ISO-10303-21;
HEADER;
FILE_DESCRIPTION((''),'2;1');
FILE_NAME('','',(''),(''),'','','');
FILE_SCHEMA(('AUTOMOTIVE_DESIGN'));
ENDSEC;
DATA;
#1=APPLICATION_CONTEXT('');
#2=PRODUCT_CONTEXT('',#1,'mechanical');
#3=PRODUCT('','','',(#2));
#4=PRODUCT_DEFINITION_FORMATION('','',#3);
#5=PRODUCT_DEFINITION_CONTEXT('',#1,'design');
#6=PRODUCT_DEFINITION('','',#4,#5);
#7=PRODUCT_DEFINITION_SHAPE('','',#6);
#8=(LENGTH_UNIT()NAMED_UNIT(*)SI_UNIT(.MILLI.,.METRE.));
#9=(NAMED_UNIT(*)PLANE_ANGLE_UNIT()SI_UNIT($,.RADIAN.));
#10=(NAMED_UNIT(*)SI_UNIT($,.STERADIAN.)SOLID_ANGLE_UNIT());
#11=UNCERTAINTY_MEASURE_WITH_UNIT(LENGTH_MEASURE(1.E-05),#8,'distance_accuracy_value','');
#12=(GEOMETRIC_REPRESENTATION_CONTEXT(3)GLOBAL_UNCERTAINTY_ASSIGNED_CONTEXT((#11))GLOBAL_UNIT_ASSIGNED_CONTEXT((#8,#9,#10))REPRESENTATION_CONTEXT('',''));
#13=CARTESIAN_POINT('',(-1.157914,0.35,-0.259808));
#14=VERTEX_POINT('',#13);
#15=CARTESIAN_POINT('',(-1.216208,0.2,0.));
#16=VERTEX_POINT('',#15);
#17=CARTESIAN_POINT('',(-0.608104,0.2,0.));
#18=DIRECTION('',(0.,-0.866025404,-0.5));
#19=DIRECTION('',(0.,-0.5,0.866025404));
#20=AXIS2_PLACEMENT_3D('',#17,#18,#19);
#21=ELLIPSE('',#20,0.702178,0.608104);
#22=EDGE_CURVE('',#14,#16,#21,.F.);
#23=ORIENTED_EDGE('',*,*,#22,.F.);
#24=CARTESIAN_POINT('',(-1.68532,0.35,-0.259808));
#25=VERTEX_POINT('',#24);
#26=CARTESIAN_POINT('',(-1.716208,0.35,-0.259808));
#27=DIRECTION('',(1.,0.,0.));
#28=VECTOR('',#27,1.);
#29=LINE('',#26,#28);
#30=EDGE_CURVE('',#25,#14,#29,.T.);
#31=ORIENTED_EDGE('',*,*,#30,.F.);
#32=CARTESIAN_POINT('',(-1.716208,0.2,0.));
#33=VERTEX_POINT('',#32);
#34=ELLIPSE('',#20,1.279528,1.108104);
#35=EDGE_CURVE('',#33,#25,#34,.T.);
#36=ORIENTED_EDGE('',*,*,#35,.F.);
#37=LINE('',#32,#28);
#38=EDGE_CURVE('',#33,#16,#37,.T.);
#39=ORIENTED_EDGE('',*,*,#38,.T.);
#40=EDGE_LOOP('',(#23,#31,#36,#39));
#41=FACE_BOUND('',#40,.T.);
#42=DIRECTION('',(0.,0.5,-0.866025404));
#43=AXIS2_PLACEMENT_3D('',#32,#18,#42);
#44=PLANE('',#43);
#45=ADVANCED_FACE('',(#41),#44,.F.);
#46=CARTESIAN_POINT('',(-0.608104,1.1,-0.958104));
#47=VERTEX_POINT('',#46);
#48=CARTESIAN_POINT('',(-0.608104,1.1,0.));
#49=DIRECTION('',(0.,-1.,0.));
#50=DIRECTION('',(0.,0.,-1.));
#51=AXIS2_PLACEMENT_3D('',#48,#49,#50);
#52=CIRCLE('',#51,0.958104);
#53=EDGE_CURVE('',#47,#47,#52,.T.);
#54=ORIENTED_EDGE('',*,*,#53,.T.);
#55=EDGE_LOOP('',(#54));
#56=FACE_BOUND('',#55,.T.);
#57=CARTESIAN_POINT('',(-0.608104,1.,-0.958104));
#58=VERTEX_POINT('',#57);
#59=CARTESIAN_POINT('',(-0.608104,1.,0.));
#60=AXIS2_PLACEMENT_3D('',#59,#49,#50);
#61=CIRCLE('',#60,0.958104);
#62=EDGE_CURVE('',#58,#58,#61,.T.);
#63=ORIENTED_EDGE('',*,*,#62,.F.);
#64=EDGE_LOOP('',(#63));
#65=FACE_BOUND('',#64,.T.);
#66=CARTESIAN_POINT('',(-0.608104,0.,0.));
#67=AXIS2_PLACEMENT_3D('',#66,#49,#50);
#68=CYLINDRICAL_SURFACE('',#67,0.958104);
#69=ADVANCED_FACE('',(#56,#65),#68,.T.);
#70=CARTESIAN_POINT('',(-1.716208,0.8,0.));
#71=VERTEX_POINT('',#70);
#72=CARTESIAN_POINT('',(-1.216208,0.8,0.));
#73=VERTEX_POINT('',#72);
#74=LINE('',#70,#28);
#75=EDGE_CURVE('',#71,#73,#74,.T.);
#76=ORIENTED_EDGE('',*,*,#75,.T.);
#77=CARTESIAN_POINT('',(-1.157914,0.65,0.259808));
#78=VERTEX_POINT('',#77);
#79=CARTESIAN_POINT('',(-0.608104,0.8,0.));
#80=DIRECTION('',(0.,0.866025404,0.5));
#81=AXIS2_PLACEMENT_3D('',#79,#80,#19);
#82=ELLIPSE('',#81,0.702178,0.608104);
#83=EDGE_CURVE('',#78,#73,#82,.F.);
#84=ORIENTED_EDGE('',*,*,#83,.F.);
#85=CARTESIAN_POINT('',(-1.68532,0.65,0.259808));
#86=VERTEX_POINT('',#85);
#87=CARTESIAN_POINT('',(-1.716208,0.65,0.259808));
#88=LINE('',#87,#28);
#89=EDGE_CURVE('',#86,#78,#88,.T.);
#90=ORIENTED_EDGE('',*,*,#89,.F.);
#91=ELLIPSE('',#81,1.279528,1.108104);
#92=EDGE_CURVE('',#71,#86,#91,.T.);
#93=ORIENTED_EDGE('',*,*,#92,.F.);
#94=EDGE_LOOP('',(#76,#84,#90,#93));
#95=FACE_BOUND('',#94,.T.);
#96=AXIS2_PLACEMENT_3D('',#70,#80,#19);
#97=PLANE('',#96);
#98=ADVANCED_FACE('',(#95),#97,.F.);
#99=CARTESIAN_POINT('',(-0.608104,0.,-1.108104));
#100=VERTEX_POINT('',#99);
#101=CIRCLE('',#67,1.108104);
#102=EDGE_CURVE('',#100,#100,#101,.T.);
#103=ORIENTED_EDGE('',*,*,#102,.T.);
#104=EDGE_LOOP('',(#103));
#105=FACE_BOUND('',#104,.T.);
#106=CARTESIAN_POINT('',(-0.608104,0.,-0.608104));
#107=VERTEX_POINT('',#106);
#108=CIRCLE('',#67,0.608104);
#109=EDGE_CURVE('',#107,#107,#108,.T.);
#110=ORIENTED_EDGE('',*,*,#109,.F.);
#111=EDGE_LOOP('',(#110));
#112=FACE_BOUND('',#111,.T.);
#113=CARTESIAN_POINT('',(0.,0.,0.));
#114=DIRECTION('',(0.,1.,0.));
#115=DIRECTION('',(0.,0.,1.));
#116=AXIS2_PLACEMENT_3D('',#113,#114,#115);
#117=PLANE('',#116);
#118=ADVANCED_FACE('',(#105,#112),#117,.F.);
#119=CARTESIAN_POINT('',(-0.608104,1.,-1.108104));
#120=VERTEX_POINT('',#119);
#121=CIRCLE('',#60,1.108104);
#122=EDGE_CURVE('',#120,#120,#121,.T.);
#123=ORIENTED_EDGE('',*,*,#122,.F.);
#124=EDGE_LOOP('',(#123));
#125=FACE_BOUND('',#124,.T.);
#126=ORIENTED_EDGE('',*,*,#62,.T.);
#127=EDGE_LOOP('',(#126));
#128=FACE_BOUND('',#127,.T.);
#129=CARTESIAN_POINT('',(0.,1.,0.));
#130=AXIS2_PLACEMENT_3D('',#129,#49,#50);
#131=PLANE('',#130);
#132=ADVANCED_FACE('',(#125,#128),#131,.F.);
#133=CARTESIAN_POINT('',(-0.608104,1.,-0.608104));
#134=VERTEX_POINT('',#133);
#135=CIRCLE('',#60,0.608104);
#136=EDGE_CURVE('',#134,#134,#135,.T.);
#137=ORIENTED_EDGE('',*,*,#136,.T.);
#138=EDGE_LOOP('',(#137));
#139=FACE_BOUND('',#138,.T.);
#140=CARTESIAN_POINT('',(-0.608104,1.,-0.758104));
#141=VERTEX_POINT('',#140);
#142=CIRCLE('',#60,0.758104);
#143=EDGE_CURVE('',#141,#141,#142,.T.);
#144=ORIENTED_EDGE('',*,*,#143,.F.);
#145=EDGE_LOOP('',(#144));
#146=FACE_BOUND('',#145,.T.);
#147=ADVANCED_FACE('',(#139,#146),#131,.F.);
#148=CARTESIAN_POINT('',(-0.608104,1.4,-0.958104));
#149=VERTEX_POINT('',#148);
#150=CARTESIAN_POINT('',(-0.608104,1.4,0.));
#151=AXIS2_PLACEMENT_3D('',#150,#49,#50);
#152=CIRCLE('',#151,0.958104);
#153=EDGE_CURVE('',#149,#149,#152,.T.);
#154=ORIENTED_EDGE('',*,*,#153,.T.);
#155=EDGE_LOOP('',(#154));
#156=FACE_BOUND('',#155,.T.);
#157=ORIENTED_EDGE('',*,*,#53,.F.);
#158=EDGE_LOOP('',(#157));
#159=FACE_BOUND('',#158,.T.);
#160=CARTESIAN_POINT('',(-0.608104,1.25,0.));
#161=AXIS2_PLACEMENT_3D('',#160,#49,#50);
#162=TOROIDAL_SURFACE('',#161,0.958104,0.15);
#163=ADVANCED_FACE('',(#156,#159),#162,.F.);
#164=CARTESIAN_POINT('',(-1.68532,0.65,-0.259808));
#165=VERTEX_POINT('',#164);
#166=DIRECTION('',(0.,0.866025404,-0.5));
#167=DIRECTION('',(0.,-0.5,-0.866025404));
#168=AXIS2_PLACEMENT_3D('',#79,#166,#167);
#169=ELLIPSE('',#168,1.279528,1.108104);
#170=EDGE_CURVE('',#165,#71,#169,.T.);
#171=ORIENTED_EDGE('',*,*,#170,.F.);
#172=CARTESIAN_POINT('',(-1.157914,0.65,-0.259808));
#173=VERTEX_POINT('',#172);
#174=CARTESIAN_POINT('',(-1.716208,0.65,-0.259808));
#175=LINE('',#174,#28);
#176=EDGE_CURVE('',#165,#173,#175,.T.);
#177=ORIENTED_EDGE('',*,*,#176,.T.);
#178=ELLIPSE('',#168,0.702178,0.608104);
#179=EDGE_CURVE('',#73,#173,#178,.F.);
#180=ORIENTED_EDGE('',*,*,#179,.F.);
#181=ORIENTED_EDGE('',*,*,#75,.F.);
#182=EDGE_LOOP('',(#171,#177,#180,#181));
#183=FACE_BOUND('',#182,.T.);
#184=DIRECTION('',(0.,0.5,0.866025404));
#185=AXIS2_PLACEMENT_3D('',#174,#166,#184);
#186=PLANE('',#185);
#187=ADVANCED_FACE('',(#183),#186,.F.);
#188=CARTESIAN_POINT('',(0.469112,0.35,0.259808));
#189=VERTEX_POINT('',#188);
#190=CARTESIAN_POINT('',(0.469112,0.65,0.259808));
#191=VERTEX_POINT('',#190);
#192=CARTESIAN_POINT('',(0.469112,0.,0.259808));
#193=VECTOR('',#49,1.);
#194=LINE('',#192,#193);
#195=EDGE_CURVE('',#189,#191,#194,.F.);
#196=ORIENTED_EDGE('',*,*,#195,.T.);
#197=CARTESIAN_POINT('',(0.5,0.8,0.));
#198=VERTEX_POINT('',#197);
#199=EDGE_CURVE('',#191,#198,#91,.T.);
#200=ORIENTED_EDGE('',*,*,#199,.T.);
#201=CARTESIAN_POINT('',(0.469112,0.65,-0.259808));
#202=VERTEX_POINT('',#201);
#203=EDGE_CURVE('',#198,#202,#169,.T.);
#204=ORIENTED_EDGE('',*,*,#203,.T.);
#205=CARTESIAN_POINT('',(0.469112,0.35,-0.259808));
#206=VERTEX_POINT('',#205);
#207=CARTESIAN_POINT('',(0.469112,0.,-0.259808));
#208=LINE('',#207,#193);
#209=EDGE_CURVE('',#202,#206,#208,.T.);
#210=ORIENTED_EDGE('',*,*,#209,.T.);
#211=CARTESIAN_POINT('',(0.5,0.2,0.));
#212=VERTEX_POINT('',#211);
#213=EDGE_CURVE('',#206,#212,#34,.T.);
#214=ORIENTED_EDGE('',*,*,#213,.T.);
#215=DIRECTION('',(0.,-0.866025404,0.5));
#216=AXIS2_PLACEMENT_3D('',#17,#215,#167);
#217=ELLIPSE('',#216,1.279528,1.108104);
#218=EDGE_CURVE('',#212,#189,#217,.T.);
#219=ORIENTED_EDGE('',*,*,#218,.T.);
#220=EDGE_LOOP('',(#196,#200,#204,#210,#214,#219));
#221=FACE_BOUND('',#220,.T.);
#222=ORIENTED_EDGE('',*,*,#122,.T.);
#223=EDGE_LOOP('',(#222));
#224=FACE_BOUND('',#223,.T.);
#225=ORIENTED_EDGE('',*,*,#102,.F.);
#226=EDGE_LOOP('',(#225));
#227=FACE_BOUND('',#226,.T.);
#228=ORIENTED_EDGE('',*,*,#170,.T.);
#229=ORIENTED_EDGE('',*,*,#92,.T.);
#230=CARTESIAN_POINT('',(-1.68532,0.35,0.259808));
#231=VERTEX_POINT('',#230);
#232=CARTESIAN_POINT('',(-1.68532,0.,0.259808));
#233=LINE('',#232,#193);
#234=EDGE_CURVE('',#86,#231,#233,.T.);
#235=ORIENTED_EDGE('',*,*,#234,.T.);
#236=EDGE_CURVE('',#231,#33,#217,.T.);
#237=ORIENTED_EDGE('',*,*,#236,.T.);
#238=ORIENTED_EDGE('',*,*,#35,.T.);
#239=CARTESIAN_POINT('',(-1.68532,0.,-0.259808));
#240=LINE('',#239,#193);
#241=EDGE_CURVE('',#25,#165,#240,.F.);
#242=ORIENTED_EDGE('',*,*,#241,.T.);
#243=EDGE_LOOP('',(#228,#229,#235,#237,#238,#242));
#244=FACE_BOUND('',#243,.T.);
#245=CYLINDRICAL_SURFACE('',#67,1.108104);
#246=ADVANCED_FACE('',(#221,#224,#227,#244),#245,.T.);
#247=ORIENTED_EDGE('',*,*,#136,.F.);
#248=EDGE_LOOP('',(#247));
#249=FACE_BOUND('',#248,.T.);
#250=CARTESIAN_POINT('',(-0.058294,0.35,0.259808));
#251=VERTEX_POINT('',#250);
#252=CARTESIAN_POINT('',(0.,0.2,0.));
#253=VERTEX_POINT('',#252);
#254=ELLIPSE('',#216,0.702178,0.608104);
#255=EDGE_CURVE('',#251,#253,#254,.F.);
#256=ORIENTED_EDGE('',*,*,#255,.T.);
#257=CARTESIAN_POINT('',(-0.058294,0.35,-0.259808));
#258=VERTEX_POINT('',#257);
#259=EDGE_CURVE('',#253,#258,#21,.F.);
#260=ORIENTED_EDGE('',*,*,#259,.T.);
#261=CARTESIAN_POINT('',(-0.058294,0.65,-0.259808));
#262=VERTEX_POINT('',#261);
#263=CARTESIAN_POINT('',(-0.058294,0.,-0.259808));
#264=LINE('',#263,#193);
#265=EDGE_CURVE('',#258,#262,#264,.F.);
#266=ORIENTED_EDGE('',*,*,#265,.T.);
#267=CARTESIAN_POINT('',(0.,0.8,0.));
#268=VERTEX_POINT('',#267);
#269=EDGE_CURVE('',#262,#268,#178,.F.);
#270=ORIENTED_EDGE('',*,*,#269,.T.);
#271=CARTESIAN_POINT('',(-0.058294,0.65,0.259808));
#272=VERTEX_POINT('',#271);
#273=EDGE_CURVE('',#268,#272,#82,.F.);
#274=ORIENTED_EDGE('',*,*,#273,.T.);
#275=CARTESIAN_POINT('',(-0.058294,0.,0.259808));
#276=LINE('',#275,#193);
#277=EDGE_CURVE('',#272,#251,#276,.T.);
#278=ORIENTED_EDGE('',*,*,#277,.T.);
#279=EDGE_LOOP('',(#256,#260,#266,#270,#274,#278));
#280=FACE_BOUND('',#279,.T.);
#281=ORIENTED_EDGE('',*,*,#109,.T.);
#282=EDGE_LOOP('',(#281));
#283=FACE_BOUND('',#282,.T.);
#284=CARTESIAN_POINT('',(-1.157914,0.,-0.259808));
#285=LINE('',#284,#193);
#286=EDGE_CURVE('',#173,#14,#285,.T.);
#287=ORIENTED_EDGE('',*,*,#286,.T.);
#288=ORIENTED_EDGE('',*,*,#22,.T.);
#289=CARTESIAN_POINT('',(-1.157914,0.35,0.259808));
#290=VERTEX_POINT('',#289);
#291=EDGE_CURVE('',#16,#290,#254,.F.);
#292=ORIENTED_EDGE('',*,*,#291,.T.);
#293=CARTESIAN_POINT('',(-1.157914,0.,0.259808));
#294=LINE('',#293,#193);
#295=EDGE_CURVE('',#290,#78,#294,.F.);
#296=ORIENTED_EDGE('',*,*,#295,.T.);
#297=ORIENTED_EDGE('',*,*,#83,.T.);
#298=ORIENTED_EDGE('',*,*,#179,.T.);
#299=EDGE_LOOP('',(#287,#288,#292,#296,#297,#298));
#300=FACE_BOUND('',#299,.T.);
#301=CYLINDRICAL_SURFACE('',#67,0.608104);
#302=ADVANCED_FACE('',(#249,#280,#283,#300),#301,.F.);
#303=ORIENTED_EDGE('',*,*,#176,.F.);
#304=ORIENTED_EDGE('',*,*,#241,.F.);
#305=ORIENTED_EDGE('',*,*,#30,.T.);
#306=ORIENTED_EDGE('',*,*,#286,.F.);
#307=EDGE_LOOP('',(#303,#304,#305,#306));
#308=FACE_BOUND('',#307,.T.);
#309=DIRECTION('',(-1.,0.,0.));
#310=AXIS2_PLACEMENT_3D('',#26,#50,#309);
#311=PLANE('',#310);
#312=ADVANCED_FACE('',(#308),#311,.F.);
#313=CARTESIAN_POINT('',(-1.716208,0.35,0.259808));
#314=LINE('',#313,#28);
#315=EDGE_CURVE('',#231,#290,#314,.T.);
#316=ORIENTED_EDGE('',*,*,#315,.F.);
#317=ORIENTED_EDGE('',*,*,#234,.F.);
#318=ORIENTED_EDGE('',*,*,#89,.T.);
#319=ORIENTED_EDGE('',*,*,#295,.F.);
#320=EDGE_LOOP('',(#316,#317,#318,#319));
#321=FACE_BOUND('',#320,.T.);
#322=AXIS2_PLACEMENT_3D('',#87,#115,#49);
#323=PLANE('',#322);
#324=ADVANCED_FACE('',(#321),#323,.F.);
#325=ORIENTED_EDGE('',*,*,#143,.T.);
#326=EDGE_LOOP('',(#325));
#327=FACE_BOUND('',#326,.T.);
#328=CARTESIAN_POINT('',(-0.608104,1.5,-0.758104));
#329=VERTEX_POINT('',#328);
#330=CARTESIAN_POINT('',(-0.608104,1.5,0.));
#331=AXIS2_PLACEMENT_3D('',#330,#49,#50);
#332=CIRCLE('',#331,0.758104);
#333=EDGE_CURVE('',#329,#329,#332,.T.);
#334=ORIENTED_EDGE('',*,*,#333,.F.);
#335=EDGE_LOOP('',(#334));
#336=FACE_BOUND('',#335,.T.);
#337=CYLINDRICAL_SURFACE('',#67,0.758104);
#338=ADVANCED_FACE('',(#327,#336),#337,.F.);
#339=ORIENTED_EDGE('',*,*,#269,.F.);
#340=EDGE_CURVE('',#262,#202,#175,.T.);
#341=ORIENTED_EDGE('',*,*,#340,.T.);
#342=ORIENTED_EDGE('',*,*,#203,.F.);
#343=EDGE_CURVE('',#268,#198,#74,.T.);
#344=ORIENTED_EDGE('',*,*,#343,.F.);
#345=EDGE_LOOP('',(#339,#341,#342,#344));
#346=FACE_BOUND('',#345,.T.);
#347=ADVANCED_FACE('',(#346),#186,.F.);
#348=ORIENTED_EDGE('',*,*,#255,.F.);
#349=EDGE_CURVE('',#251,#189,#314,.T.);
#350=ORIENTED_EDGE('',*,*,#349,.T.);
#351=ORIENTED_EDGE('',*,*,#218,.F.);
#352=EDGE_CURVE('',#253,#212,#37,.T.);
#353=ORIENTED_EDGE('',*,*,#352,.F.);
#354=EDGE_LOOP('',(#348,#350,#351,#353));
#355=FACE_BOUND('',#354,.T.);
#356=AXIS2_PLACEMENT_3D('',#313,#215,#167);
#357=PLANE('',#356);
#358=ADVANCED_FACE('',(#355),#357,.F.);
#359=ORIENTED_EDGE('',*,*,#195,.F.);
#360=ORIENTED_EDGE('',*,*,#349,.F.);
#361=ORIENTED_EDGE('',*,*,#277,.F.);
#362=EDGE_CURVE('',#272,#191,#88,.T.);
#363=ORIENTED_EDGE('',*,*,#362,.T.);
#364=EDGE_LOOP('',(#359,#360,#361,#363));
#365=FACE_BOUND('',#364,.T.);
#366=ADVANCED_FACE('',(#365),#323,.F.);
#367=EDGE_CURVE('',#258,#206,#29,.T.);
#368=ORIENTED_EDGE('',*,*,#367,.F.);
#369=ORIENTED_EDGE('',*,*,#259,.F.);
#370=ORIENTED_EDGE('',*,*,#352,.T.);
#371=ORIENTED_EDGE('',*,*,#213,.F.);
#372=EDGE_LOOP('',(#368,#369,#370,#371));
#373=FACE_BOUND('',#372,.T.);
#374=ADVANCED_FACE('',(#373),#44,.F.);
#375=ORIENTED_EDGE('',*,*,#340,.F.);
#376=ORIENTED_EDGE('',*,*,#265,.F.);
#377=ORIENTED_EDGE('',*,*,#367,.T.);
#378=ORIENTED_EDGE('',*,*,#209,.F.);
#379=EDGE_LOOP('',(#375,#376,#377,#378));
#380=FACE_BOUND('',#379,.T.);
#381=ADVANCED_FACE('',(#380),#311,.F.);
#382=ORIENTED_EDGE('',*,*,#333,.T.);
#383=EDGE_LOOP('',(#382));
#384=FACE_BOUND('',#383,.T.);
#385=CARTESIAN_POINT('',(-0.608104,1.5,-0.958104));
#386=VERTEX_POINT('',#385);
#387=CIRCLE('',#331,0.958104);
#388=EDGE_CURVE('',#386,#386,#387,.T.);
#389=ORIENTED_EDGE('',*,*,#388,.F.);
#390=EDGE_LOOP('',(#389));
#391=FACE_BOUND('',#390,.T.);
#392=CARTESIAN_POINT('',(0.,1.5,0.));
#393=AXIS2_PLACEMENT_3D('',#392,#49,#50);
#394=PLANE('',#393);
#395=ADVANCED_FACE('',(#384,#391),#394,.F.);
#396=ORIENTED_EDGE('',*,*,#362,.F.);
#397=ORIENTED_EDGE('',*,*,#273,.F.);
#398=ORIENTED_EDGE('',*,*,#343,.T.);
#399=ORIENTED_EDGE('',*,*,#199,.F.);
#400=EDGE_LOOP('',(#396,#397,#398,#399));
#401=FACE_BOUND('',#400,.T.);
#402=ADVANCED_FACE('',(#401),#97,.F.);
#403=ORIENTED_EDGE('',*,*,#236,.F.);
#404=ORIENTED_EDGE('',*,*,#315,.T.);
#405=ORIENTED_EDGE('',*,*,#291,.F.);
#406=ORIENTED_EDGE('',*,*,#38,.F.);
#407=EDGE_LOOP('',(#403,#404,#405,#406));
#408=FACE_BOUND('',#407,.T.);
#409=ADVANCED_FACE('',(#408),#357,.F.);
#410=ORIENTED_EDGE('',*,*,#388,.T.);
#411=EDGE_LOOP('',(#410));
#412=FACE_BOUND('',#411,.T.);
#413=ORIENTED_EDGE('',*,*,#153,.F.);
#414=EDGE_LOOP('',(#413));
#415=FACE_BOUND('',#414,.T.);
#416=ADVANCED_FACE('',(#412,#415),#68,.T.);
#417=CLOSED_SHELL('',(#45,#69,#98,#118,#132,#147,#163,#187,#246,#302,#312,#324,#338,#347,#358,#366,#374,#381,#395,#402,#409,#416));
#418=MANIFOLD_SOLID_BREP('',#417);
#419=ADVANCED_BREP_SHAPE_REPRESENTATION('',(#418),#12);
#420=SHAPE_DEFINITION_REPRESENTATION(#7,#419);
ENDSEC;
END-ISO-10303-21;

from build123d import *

# Parameters (mm, degrees)
CUT_EXTRUDE1_DEPTH      = 3.534416177
CUT_EXTRUDE1_DEPTH_BACK = 3.534416177


with BuildPart() as part:
    # Sketch3 → Revolve1 (revolve)
    with BuildSketch(Plane.XY, mode=Mode.PRIVATE) as revolve1_sk:
        with BuildLine():
            ThreePointArc((0.35, 1.4), (0.2, 1.25), (0.35, 1.1))
            Line((0.35, 1.1), (0.35, 1))
            Line((0.35, 1), (0.5, 1))
            Line((0.5, 1), (0.5, 0))
            Line((0.5, 0), (0, 0))
            Line((0, 0), (0, 1))
            Line((0, 1), (0.15, 1))
            Line((0.15, 1), (0.15, 1.5))
            Line((0.15, 1.5), (0.35, 1.5))
            Line((0.35, 1.5), (0.35, 1.4))
        make_face()
    revolve(revolve1_sk.sketch.rotate(Axis((-0.608104109, 0, 0), (0, 1, 0)), 90), axis=Axis((-0.608104109, 0, 0), (0, 1, 0)))

    # Sketch11 → Cut-Extrude1 (cut, two sides: drawn at the far end of the back side and taken through both)
    with BuildSketch(Plane(origin=(0, 0, 0), x_dir=(0, 0, -1), z_dir=(1, 0, 0)).offset(-CUT_EXTRUDE1_DEPTH_BACK)):
        Polygon((0, 0.8), (-0.259807621, 0.65), (-0.259807621, 0.35), (0, 0.2), (0.259807621, 0.35), (0.259807621, 0.65), align=None)
    extrude(amount=CUT_EXTRUDE1_DEPTH + CUT_EXTRUDE1_DEPTH_BACK, mode=Mode.SUBTRACT)


solid = part.part
